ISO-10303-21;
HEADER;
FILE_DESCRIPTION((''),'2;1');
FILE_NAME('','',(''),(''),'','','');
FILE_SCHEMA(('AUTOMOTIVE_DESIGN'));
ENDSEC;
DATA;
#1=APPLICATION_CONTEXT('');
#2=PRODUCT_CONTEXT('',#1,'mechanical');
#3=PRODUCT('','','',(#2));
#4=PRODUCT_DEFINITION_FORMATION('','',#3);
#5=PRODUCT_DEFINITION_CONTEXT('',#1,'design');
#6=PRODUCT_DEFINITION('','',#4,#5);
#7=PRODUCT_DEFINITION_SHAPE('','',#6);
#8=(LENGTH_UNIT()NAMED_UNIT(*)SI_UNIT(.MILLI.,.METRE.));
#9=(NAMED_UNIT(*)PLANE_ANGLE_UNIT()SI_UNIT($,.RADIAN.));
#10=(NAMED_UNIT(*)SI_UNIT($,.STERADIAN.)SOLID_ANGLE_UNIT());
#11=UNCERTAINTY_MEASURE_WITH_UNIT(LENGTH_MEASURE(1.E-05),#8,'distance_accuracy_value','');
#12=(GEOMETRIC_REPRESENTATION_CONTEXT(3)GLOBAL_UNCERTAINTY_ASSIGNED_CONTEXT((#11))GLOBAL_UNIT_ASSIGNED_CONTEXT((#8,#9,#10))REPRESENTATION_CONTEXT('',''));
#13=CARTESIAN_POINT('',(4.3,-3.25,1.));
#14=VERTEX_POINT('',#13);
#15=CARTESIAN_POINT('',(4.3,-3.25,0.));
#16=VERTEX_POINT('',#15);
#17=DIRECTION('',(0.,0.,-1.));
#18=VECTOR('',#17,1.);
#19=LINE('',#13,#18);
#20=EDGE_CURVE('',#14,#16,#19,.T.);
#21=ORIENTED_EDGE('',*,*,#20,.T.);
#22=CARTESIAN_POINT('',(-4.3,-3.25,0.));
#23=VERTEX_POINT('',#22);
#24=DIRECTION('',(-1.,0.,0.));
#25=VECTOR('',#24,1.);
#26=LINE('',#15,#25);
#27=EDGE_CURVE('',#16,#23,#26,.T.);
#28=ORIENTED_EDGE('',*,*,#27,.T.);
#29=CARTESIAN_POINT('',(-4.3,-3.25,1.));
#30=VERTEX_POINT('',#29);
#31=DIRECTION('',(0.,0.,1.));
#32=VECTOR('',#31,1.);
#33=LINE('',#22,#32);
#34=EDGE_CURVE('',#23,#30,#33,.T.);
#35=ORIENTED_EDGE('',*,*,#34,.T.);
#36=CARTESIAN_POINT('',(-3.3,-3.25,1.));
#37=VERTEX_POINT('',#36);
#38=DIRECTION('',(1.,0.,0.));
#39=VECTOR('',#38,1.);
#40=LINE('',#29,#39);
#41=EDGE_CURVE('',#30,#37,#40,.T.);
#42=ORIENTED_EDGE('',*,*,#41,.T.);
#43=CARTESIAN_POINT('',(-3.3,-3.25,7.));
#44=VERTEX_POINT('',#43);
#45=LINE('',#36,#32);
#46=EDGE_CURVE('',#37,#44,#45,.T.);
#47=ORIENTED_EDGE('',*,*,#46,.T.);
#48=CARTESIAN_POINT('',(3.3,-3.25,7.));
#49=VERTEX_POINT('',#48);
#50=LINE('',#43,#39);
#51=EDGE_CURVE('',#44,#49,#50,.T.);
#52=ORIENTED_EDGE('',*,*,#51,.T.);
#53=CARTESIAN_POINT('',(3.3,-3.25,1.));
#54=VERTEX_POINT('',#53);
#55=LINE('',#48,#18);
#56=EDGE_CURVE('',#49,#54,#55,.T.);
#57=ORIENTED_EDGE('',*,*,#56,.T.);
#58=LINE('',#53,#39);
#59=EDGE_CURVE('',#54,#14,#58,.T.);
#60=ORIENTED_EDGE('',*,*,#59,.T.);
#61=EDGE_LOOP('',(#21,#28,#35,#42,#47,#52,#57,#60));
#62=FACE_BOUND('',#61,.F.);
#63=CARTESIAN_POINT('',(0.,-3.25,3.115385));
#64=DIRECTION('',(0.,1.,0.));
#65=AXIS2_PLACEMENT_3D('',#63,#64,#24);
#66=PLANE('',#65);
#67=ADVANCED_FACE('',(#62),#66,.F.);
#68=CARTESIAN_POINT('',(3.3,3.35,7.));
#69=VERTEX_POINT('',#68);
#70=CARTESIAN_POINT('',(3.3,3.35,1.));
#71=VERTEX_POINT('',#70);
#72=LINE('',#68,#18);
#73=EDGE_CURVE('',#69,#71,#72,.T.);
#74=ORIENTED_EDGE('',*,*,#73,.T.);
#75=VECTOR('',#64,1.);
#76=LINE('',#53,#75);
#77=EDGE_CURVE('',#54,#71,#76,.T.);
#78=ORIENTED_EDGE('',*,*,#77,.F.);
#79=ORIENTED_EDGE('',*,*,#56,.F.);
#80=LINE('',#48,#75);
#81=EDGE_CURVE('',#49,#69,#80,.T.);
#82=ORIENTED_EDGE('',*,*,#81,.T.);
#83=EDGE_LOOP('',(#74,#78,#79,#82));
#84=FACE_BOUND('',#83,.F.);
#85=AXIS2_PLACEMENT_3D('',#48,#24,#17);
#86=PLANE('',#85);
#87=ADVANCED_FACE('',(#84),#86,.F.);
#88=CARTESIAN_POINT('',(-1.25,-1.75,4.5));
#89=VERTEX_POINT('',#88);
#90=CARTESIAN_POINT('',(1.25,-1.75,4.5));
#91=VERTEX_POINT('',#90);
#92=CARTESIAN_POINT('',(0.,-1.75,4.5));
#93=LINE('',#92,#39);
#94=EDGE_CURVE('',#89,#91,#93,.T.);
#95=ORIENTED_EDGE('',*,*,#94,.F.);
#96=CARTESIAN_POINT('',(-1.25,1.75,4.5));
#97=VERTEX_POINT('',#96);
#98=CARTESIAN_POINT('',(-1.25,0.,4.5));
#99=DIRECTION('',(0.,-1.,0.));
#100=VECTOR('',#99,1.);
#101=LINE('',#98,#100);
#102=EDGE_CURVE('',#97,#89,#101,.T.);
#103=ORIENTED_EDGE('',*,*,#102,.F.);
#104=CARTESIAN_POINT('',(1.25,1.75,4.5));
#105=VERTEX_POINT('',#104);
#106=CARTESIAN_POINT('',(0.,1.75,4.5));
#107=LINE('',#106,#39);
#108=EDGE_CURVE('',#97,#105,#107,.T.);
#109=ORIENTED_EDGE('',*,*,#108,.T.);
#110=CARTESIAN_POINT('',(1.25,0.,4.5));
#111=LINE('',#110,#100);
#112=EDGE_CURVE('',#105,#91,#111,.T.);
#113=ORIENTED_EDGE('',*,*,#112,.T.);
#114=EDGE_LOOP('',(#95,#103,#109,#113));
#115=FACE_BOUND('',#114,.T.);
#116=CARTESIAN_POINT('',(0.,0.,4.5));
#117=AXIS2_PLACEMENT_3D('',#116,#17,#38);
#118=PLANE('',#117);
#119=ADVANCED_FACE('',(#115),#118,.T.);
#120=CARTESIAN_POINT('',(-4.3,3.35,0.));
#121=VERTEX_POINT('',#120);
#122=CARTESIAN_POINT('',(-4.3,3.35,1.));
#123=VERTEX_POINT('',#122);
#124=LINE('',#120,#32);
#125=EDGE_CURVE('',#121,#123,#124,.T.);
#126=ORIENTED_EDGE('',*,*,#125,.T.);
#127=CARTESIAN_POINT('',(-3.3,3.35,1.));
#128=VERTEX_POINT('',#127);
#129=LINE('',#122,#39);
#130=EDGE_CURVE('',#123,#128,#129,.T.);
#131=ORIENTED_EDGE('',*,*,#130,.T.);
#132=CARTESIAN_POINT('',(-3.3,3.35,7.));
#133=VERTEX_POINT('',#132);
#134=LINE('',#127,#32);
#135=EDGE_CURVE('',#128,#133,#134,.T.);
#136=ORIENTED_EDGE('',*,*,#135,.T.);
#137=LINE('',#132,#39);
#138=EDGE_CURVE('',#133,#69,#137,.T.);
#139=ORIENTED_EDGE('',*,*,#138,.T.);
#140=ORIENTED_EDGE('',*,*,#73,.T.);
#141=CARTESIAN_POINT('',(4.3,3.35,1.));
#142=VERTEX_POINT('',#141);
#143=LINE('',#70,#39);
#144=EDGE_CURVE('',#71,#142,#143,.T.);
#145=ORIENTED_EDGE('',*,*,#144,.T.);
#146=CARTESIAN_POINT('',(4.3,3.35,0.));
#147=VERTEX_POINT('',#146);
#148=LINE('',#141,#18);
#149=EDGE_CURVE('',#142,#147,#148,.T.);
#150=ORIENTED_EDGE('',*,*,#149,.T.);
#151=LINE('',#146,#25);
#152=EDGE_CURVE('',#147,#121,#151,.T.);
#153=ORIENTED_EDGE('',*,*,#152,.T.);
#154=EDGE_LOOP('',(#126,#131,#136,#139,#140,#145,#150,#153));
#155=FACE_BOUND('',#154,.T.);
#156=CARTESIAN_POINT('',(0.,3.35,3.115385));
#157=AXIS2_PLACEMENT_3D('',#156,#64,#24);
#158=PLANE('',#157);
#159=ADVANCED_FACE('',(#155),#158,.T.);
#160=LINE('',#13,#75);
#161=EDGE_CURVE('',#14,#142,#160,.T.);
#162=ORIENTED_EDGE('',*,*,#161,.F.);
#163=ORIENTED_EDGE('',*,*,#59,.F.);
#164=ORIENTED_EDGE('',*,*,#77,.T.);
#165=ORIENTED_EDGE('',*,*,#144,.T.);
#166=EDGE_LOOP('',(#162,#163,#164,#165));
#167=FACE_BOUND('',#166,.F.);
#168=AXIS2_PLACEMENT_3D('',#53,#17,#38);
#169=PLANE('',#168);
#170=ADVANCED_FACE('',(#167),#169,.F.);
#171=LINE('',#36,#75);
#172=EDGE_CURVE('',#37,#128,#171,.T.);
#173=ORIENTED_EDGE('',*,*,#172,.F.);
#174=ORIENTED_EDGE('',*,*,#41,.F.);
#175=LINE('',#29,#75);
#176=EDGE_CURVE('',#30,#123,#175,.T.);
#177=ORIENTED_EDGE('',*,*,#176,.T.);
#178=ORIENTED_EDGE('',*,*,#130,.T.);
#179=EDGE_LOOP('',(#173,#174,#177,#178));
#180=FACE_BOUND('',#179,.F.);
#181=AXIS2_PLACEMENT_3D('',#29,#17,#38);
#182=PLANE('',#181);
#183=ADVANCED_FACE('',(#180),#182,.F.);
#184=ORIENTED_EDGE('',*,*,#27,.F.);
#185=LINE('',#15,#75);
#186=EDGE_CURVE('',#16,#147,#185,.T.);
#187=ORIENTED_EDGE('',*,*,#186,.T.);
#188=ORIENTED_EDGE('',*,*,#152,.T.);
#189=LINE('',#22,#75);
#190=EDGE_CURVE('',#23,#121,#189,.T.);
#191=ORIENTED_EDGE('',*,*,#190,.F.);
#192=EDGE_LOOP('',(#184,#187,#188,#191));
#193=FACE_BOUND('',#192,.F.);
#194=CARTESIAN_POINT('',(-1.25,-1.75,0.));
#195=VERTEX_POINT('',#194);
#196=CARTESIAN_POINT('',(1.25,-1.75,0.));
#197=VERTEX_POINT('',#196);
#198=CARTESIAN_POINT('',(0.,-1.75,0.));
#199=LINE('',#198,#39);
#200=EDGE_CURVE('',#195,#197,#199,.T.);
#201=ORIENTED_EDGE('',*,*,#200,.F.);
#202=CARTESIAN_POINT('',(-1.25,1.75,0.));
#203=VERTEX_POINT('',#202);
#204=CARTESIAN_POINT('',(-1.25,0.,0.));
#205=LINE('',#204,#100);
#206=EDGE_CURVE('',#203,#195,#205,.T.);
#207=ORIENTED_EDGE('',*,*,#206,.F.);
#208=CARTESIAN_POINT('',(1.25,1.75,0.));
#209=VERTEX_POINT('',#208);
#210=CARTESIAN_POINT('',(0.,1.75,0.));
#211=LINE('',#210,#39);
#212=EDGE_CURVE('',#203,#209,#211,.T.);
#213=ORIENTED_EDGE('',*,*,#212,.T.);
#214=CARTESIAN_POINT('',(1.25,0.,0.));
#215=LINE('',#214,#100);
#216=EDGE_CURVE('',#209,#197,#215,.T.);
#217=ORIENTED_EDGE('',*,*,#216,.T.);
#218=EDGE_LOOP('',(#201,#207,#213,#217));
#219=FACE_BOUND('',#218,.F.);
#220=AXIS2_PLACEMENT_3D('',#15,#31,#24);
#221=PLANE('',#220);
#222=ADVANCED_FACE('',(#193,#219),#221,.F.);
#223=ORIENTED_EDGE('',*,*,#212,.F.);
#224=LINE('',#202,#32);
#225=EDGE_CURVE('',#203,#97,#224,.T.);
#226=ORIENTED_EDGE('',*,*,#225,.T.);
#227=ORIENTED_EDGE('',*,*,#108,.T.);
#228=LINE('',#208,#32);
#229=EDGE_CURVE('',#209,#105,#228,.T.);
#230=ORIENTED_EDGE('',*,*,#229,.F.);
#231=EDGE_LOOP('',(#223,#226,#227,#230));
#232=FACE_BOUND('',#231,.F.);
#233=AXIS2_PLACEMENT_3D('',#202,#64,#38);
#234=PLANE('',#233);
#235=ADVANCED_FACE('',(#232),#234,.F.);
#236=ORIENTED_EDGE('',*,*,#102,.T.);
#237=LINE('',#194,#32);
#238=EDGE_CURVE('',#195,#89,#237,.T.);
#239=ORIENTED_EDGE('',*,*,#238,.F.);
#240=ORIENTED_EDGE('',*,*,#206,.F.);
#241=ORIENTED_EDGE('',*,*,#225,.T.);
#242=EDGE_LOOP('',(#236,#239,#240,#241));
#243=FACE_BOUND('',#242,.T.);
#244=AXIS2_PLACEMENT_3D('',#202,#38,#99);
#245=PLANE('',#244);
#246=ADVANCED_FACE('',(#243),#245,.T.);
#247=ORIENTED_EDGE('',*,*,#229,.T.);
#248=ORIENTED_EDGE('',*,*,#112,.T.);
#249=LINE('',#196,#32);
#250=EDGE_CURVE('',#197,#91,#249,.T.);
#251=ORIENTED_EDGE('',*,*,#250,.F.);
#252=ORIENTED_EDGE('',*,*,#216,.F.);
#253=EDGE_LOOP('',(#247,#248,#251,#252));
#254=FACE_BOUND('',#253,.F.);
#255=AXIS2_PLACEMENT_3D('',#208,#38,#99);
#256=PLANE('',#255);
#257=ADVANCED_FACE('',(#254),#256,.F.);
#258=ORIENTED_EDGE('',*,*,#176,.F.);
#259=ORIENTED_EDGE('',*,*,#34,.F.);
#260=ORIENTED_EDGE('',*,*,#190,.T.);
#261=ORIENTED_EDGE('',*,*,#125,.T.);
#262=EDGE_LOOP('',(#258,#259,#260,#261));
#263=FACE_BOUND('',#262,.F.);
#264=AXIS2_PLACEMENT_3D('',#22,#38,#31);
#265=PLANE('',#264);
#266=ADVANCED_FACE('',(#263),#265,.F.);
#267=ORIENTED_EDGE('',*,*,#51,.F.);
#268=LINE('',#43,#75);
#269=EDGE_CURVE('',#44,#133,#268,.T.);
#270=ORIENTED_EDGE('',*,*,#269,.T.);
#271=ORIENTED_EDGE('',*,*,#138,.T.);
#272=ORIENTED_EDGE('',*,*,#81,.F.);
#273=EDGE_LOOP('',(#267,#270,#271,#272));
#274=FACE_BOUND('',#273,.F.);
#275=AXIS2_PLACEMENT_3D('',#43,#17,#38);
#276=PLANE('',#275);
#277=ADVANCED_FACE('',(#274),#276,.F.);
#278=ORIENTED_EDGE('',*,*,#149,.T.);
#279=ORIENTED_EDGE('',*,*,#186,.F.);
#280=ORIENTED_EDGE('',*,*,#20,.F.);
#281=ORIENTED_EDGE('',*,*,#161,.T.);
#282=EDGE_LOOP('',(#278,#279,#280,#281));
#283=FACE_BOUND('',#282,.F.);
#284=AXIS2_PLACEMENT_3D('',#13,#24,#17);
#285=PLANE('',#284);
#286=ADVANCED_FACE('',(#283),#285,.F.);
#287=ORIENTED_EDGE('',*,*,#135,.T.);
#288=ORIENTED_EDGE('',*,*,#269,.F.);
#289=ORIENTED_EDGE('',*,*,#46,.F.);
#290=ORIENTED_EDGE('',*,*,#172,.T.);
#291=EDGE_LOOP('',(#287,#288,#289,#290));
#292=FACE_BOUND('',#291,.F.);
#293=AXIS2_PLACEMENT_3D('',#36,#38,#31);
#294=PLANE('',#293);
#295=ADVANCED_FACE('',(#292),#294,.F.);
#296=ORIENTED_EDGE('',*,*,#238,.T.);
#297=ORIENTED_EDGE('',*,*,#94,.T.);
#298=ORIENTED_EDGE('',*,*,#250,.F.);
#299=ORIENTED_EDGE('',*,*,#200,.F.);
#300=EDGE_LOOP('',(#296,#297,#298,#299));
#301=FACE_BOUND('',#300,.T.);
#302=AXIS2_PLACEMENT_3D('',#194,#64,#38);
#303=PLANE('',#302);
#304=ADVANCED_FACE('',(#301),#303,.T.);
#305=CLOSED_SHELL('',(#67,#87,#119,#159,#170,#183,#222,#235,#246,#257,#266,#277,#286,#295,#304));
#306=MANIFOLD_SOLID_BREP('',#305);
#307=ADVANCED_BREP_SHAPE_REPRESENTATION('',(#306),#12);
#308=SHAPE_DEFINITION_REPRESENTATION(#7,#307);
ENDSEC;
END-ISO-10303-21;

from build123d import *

# Parameters (mm, degrees)
SKETCH014_W      = 2.5
SKETCH014_H      = 3.5
EXTRUDE015_DEPTH = 4.5
EXTRUDE014_DEPTH = 6.6


with BuildPart() as extrude015:
    # Sketch014 → Extrude015 (new body)
    with BuildSketch(Plane(origin=(0, 0, -10), x_dir=(1, 0, 0), z_dir=(0, 0, -1))):
        Rectangle(SKETCH014_W, SKETCH014_H)
    extrude(amount=-EXTRUDE015_DEPTH)


with BuildPart() as extrude015_1:
    # Extrude015 placement: moved
    add(extrude015.part.moved(Location((0, 0, 10))))


with BuildPart() as cut023:
    # Sketch013 → Extrude014 (new body)
    with BuildSketch(Plane.XZ.offset(10)):
        Polygon((-3.3, 7), (3.3, 7), (3.3, 1), (4.3, 1), (4.3, 0), (-4.3, 0), (-4.3, 1), (-3.3, 1), align=None)
    extrude(amount=-EXTRUDE014_DEPTH)


with BuildPart() as cut023_1:
    # Extrude014 placement: moved
    add(cut023.part.moved(Location((0, 6.75, 0))))

    # Cut023: cut Extrude015
    add(extrude015_1.part, mode=Mode.SUBTRACT)


solid = cut023_1.part
